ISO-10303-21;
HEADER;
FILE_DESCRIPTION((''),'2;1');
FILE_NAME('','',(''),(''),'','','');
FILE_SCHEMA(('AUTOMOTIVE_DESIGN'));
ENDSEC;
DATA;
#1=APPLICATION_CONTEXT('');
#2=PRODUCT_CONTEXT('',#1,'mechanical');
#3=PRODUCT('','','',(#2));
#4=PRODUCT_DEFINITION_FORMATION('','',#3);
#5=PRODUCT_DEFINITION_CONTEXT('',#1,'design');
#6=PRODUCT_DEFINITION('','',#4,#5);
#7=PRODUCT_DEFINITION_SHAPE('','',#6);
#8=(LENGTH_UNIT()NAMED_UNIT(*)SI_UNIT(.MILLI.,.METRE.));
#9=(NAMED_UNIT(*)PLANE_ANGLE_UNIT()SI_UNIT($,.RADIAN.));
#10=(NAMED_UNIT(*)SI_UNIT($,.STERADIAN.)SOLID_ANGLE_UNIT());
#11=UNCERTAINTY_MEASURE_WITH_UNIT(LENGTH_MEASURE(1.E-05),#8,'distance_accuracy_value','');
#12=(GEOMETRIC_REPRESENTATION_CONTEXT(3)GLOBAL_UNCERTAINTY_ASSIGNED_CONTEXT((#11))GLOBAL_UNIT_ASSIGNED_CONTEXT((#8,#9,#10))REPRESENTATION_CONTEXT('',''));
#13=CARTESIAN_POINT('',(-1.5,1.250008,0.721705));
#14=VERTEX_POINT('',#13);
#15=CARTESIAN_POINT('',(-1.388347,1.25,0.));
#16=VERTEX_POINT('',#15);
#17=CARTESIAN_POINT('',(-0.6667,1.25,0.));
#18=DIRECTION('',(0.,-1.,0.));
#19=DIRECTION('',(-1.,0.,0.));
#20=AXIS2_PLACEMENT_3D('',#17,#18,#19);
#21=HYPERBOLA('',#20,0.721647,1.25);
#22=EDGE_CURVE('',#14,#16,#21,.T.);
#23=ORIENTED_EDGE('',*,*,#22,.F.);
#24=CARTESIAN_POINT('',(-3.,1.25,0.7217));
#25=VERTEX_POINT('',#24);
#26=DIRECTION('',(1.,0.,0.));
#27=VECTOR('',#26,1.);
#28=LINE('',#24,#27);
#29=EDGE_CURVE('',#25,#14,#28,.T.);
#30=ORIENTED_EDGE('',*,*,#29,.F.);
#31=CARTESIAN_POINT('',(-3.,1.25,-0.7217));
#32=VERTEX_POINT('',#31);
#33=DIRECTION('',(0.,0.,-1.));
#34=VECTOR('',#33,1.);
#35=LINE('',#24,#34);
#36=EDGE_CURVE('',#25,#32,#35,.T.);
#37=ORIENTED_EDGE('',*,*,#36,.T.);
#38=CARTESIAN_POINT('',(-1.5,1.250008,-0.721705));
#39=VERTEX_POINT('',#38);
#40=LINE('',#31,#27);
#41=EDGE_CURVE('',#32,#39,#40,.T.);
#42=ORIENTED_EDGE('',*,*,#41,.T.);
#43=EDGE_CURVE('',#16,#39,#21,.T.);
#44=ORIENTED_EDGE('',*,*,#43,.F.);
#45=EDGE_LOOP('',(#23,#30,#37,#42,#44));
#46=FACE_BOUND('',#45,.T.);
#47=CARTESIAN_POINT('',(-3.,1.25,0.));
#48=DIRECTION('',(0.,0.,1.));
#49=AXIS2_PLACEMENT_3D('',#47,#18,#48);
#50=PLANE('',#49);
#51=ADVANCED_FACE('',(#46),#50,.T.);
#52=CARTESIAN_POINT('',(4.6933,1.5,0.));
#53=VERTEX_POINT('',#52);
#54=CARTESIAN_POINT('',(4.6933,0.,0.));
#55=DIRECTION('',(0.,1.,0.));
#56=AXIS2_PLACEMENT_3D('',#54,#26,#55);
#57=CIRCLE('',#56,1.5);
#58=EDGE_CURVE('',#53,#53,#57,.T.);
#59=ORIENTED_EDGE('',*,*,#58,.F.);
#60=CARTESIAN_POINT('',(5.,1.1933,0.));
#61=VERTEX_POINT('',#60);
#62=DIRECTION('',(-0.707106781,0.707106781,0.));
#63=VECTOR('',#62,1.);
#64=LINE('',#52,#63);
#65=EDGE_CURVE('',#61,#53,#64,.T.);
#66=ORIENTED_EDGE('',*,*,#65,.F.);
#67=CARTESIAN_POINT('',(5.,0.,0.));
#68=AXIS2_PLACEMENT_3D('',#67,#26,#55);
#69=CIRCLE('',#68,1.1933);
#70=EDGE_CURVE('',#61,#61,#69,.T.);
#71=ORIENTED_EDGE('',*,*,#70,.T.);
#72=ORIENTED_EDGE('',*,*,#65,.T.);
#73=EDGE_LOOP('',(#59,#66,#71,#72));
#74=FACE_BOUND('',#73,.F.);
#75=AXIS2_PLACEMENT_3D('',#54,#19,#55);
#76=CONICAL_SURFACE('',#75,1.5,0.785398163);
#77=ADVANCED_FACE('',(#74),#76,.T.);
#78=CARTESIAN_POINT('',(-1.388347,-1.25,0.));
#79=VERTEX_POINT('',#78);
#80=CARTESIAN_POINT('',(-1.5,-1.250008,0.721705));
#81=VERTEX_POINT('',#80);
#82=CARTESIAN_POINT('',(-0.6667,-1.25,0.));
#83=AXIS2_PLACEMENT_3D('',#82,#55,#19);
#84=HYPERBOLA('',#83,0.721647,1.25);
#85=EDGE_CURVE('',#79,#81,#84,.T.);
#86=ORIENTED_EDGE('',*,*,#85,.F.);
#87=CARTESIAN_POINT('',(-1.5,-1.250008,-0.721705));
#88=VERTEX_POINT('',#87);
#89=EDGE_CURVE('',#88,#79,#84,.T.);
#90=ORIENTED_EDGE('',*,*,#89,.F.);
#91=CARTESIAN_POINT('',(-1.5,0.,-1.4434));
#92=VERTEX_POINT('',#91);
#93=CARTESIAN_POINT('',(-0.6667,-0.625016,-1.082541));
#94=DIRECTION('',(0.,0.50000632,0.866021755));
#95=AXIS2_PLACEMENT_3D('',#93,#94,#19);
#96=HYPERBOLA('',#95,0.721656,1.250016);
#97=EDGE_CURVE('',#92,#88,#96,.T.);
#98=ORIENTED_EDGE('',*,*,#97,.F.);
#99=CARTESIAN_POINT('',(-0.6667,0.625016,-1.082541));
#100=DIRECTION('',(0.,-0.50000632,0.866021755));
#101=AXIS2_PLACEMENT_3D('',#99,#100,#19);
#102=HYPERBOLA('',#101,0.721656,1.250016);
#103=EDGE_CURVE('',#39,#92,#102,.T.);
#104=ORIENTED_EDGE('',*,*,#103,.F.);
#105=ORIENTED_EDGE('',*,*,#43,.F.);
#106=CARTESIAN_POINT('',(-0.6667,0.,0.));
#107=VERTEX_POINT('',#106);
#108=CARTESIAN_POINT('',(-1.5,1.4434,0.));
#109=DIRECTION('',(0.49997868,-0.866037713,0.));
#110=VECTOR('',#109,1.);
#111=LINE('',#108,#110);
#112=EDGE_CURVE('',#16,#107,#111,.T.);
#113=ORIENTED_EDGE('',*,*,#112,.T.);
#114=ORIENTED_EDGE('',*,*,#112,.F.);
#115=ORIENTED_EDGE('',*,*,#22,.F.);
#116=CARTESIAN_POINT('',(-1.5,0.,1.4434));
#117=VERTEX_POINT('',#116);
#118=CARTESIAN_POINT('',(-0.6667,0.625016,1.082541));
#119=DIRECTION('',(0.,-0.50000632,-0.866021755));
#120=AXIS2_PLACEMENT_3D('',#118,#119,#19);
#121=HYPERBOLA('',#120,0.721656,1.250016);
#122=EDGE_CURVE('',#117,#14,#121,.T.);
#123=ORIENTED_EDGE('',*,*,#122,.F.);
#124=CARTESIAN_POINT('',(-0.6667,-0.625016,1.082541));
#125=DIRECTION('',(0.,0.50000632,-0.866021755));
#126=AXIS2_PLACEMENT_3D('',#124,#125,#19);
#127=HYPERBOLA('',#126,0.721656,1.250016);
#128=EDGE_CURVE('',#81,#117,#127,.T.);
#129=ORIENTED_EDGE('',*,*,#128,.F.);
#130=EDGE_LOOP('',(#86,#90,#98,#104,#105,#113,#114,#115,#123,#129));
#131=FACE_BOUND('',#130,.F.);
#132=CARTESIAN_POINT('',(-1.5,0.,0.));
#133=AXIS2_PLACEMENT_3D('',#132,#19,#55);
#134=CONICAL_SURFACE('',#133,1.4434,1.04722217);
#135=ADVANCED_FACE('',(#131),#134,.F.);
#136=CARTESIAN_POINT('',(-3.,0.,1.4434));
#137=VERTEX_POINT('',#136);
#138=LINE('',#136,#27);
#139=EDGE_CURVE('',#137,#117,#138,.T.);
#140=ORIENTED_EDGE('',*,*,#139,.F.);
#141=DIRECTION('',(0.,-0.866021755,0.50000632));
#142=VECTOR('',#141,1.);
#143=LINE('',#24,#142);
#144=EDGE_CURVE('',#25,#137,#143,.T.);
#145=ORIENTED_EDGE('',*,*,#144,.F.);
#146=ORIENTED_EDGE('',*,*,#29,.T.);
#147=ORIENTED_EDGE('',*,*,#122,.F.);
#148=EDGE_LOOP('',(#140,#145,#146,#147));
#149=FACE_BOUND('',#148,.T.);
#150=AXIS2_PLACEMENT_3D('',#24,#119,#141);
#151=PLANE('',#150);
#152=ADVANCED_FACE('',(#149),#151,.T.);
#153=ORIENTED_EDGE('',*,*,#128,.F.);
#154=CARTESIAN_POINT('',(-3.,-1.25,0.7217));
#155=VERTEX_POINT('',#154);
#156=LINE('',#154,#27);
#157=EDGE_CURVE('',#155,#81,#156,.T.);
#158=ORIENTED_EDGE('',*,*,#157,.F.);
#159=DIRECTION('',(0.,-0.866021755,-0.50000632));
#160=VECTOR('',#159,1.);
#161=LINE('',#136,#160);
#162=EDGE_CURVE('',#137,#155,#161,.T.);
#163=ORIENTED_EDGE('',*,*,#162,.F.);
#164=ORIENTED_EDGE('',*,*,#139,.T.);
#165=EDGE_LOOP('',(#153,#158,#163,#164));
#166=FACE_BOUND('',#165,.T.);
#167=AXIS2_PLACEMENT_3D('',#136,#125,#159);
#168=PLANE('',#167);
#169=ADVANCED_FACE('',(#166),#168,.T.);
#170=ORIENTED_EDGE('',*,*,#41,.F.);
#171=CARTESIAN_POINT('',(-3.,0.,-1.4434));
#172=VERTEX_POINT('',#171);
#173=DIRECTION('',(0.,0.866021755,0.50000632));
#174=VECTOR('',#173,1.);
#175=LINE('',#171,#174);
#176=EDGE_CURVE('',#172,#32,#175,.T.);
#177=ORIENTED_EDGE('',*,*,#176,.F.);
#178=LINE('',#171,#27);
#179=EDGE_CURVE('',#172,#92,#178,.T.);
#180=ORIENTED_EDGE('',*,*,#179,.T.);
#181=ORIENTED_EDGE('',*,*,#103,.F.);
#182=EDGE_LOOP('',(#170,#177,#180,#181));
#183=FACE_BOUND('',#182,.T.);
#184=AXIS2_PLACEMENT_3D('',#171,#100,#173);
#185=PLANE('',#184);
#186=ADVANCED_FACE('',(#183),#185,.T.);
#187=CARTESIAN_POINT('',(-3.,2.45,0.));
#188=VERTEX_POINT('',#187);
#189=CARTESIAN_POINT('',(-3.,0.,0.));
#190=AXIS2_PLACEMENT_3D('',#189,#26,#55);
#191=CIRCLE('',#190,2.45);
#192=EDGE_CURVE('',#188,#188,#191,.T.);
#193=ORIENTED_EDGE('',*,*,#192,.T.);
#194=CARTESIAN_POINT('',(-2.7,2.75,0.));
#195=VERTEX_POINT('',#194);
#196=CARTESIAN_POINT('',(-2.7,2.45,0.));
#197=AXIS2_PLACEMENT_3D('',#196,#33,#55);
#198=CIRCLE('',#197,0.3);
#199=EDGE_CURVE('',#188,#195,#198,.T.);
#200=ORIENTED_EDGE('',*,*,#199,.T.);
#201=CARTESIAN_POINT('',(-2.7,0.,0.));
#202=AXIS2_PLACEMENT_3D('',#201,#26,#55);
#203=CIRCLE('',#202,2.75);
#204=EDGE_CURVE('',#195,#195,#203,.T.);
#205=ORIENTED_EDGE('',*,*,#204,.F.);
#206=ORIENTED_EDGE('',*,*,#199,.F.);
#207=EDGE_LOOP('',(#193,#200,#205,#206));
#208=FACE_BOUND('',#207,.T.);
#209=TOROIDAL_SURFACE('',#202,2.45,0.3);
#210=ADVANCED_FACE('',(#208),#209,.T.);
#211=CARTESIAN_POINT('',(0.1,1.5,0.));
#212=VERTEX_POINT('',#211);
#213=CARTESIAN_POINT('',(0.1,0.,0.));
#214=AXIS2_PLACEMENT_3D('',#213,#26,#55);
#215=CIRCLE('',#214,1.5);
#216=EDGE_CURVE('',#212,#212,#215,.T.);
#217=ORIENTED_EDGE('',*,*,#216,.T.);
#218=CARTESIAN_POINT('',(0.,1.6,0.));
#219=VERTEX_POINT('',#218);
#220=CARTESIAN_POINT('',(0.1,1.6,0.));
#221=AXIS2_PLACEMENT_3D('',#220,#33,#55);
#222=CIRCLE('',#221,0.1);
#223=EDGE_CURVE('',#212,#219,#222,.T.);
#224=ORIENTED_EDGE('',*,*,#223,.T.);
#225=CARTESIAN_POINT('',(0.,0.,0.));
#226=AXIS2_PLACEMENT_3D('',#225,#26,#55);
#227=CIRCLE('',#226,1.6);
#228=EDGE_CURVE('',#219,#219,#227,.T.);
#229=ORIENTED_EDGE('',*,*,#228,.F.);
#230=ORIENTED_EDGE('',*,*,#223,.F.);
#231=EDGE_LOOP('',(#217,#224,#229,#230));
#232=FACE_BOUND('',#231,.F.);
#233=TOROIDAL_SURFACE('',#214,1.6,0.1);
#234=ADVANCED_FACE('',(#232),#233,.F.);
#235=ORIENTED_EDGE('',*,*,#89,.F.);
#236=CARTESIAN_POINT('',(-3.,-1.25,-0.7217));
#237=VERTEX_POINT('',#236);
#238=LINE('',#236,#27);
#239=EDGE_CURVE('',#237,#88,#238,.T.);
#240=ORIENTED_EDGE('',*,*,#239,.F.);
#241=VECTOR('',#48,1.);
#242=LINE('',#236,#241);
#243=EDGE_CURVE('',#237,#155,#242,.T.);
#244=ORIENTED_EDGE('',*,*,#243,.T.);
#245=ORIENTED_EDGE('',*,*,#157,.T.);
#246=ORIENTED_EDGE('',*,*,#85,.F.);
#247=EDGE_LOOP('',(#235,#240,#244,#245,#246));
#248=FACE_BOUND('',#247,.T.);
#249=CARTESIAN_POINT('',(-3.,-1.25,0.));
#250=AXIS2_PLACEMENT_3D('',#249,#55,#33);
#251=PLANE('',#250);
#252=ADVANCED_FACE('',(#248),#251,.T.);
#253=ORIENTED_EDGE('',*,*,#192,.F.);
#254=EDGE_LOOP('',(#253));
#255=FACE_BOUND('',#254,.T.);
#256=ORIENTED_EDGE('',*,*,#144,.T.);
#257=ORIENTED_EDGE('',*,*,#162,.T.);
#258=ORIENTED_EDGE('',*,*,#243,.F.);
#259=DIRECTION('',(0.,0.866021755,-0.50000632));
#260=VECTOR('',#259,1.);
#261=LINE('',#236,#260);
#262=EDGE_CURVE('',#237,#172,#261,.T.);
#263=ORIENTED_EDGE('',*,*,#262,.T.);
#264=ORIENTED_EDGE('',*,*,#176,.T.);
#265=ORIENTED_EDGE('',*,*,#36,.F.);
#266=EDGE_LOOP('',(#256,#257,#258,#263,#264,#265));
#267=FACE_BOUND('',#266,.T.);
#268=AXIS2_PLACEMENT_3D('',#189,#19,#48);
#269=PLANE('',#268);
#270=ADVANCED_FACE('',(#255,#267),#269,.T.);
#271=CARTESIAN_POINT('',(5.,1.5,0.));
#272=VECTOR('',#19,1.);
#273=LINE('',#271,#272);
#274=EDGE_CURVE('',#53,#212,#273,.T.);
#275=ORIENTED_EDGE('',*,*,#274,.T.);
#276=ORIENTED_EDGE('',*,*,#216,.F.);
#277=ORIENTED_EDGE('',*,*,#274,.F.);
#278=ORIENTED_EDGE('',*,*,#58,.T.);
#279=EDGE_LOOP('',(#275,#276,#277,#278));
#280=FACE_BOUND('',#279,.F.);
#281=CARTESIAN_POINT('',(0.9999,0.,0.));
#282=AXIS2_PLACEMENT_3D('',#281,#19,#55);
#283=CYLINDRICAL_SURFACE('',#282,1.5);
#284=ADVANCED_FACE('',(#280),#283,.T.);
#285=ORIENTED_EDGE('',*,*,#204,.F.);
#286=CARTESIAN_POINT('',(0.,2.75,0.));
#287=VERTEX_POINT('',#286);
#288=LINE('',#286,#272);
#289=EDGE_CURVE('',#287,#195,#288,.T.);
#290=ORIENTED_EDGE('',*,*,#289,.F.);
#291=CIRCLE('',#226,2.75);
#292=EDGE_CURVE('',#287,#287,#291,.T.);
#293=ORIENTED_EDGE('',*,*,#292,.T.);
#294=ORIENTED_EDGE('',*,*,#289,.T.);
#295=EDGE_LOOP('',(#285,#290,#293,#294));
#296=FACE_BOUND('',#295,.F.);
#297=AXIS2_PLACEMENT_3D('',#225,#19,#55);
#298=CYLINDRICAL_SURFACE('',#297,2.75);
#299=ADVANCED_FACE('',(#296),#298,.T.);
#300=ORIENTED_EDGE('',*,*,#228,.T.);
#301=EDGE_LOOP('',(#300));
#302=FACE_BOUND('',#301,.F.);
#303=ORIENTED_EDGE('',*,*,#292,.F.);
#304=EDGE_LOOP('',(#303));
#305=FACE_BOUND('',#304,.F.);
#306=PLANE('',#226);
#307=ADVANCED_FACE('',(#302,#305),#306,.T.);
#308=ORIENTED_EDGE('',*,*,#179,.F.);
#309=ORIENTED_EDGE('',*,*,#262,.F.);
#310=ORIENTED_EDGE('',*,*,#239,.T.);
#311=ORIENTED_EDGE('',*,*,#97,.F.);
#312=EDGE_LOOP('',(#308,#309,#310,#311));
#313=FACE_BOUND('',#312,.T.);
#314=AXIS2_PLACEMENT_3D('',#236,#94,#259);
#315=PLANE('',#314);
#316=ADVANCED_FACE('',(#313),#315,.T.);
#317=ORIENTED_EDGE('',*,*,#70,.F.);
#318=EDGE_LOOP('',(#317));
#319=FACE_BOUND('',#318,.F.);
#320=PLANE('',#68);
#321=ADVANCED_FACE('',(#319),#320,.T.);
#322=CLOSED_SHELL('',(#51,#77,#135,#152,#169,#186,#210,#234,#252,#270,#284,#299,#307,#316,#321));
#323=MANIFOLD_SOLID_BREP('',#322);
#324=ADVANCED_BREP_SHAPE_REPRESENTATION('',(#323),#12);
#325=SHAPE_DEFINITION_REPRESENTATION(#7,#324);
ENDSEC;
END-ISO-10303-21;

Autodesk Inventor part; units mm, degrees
ref_plane "YZ Plane" through (0, 0, 0) normal (1, 0, 0) x (0, 1, 0)
ref_plane "XZ Plane" through (0, 0, 0) normal (0, 1, 0) x (-1, 0, 0)
sketch "Sketch1" plane through (0, 0, 0) normal (0, 0, 1) x (1, 0, 0)
  line L0 (-0.6667, 0) -> (5, 0)
  line L1 (5, 0) -> (5, 1.5)
  line L2 (5, 1.5) -> (1.3067, 1.5)
  line L3 (1.3067, 1.5) -> (0.9999, 1.5)
  line L4 (0.9999, 1.5) -> (0, 1.5)
  line L5 (0, 1.5) -> (0, 2.75)
  line L6 (0, 2.75) -> (-3, 2.75)
  line L7 (-3, 2.75) -> (-3, 1.4434)
  line L8 (-3, 1.4434) -> (-1.5, 1.4434)
  line L9 (-1.5, 1.4434) -> (-0.6667, 0)
  line L10 (-4.6, 0) -> (6.6, 0) projected
  line L11 (0, -0.55) -> (0, 3.3) projected
  line L12 (1.3067, 1.5) -> (0, 1.5) construction
  dimension "d1" = 3.6933
  dimension "d2" = 0.3068
  dimension "d3" = 3
  dimension "d4" = 1.5
  dimension "d5" = 60
  dimension "d6" = 3
  dimension "d7" = 3
  dimension "d8" = 2.8868
  dimension "d9" = 5.5
  dimension "d26" = 5
revolve "Body" add sketch "Sketch1" angle 360 about axis through (-0.6667, 0, 0) along (1, 0, 0)
sketch "Sketch2" plane through (-3, 0, 0) normal (-1, 0, 0) x (0, 0, 1)
  circle A0 centre (0, 0) radius 1.4434 projected
  line L0 (0, -3.85) -> (0, 3.85) projected
  line L1 (-3.85, 0) -> (3.85, 0) projected
  line L2 (1.4434, 0) -> (0.7217, -1.25)
  line L3 (0.7217, -1.25) -> (-0.7217, -1.25)
  line L4 (-0.7217, -1.25) -> (-1.4434, 0)
  line L5 (-1.4434, 0) -> (-0.7217, 1.25)
  line L6 (-0.7217, 1.25) -> (0.7217, 1.25)
  line L7 (0.7217, 1.25) -> (1.4434, 0)
extrude "Slot" add sketch "Sketch2" against normal up to next contours L7 A0 | A0 L2 | L6 L0 A0 | A0 L0 L3 | L0 L6 A0 | A0 L3 L0 | L4 A0 | A0 L5
fillet "Fillet1" radius 0.3 1 edges at (-3, -2.75, 0)
thread "Thread" size "M3x0.5" class "6g" standard "ISO Metric profile" length 3.6933
chamfer "Chamfer1" distance 0.3067 distance2 0.3067 1 edges at (5, -1.5, 0) measured on face at (5, -0.2617, -0.7882)
ref_plane "Work Plane1" through (29, 0, 0) normal (0, -1, 0) x (1, 0, 0)
fillet "Fillet2" radius 0.1 1 edges at (0, -1.5, 0)
equation "\"d30\" = R"
equation "\"d17\" = RR"
equation "\"d13\" = GEL"
equation "\"d15\" = -0.5 * SPD + 0.5 * GD"
equation "\"d16\" = GUL"
equation "\"d1\" = GEL"
equation "\"d3\" = KOH"
equation "\"d4\" = INTI"
equation "\"d6\" = GD"
equation "\"d7\" = BDM"
equation "\"d8\" = 1.1547 * SW"
equation "\"d9\" = KOD"
equation "\"d26\" = NLG"
equation "\"GD\" = NND"
equation "\"NLG\" = 5"
equation "\"GEL\" = 3.69328"
equation "\"KOD\" = 5.5"
equation "\"KOH\" = 3"
equation "\"INTI\" = 1.5"
equation "\"GAL\" = 0.61345 * PTC"
equation "\"GUL\" = 0.61345 * PTC"
equation "\"BDM\" = NND"
equation "\"SW\" = 2.5"
equation "\"RR\" = 0.3"
equation "\"SPD\" = 2.38655"
equation "\"R\" = 0.1"
equation "\"TOA\" = 30deg"
equation "\"THREADDIA\" = 3"
equation "\"PTC\" = 0.5"
equation "\"NND\" = 3"
equation "\"E0\" = 1.155 * SW"
equation "\"GD1\" = THREADDIA - 1.2269 * PTC"
properties part number "ANSI B18.3.1M - M3x0.5 x 5" material "Steel, Mild"
